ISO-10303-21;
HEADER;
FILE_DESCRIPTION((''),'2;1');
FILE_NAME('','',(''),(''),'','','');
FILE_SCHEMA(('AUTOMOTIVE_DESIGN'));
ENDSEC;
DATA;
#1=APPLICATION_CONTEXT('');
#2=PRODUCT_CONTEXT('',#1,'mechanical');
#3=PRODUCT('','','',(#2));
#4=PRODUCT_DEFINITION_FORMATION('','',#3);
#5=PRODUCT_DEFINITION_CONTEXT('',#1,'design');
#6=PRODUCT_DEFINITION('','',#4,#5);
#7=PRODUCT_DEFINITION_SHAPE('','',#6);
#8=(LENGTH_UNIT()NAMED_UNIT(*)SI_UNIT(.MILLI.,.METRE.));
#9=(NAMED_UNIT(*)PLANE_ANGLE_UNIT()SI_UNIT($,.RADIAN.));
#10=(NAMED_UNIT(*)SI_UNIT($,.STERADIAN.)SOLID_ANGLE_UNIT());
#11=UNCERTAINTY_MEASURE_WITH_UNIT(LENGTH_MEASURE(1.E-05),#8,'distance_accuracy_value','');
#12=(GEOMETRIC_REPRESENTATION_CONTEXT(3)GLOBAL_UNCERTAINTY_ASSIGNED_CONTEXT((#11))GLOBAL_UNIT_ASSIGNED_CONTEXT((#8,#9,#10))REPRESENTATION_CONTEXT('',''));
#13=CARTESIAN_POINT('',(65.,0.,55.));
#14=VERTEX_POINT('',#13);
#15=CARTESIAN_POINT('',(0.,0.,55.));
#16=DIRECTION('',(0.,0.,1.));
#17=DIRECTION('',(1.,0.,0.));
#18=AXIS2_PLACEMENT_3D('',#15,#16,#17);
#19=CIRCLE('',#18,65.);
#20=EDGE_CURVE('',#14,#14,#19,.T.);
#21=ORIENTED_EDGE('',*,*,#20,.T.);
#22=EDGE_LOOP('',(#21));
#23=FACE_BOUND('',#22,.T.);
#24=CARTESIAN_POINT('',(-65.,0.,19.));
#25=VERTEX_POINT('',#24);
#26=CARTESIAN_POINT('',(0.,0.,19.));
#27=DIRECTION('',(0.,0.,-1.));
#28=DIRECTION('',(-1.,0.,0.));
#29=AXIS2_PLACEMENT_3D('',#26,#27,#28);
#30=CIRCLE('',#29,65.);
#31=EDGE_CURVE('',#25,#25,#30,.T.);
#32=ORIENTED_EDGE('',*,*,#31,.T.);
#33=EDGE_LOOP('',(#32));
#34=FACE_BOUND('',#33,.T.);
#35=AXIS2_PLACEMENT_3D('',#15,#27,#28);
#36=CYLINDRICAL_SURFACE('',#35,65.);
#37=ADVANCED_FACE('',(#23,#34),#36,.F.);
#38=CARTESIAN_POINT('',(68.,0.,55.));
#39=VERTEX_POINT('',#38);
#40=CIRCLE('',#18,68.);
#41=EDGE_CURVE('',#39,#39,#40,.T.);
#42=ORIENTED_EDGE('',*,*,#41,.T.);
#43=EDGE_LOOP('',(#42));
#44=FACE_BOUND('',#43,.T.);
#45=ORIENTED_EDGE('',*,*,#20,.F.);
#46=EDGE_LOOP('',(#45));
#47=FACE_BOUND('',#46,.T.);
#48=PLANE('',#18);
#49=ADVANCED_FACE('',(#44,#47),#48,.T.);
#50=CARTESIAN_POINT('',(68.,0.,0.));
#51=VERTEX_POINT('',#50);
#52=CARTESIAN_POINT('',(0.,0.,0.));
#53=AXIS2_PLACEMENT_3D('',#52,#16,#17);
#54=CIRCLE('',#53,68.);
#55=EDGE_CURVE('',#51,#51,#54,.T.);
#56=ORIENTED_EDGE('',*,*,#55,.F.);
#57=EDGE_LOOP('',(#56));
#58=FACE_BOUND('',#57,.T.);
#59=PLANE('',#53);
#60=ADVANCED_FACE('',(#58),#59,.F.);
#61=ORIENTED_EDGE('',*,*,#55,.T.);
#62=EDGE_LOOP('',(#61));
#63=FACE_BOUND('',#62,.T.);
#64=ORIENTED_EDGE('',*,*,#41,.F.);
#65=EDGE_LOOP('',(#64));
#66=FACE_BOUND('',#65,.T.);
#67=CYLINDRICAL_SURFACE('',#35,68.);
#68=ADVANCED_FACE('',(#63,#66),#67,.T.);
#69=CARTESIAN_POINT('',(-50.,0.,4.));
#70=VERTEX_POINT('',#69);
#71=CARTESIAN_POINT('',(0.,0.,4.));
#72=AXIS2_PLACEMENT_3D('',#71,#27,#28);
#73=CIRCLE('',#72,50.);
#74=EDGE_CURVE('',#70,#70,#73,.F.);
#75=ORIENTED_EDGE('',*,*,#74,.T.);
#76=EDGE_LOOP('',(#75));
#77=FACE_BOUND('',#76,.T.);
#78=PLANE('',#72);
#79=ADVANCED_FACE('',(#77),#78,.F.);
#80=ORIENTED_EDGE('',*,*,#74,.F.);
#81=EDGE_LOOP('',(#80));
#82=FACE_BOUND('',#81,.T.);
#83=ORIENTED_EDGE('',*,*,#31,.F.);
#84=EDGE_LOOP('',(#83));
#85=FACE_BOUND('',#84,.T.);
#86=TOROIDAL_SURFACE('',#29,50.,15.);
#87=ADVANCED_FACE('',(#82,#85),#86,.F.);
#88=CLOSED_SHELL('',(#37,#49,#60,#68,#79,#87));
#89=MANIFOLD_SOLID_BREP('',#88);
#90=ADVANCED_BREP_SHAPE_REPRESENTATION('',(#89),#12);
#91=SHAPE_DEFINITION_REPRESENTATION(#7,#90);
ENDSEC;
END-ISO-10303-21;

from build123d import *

# Parameters (mm, degrees)
SKETCH_1_R        = 68
SKETCH_1_R_2      = 65
EXTRUDE_1_DEPTH   = 55
SKETCH_2_R        = 68
EXTRUDE_1_2_DEPTH = 4
FILLET_1_R        = 15


with BuildPart() as part:
    # 草图1 → Extrude 1 (new body)
    with BuildSketch(Plane.XY):
        Circle(SKETCH_1_R)
        Circle(SKETCH_1_R_2, mode=Mode.SUBTRACT)
    extrude(amount=EXTRUDE_1_DEPTH)

    # 草图2 → Extrude 1 2 (add)
    with BuildSketch(Plane(origin=(0, 0, 0), x_dir=(-1, 0, 0), z_dir=(0, 0, -1))):
        with Locations(Location((0, 0, 0), (0, 0, 180))):
            Circle(SKETCH_2_R)
    extrude(amount=-EXTRUDE_1_2_DEPTH)

    # 圆角1
    fillet_1_edges = [part.edges().sort_by_distance(p)[0] for p in [
        (-65, 0, 4),
    ]]
    fillet(fillet_1_edges, radius=FILLET_1_R)


solid = part.part
